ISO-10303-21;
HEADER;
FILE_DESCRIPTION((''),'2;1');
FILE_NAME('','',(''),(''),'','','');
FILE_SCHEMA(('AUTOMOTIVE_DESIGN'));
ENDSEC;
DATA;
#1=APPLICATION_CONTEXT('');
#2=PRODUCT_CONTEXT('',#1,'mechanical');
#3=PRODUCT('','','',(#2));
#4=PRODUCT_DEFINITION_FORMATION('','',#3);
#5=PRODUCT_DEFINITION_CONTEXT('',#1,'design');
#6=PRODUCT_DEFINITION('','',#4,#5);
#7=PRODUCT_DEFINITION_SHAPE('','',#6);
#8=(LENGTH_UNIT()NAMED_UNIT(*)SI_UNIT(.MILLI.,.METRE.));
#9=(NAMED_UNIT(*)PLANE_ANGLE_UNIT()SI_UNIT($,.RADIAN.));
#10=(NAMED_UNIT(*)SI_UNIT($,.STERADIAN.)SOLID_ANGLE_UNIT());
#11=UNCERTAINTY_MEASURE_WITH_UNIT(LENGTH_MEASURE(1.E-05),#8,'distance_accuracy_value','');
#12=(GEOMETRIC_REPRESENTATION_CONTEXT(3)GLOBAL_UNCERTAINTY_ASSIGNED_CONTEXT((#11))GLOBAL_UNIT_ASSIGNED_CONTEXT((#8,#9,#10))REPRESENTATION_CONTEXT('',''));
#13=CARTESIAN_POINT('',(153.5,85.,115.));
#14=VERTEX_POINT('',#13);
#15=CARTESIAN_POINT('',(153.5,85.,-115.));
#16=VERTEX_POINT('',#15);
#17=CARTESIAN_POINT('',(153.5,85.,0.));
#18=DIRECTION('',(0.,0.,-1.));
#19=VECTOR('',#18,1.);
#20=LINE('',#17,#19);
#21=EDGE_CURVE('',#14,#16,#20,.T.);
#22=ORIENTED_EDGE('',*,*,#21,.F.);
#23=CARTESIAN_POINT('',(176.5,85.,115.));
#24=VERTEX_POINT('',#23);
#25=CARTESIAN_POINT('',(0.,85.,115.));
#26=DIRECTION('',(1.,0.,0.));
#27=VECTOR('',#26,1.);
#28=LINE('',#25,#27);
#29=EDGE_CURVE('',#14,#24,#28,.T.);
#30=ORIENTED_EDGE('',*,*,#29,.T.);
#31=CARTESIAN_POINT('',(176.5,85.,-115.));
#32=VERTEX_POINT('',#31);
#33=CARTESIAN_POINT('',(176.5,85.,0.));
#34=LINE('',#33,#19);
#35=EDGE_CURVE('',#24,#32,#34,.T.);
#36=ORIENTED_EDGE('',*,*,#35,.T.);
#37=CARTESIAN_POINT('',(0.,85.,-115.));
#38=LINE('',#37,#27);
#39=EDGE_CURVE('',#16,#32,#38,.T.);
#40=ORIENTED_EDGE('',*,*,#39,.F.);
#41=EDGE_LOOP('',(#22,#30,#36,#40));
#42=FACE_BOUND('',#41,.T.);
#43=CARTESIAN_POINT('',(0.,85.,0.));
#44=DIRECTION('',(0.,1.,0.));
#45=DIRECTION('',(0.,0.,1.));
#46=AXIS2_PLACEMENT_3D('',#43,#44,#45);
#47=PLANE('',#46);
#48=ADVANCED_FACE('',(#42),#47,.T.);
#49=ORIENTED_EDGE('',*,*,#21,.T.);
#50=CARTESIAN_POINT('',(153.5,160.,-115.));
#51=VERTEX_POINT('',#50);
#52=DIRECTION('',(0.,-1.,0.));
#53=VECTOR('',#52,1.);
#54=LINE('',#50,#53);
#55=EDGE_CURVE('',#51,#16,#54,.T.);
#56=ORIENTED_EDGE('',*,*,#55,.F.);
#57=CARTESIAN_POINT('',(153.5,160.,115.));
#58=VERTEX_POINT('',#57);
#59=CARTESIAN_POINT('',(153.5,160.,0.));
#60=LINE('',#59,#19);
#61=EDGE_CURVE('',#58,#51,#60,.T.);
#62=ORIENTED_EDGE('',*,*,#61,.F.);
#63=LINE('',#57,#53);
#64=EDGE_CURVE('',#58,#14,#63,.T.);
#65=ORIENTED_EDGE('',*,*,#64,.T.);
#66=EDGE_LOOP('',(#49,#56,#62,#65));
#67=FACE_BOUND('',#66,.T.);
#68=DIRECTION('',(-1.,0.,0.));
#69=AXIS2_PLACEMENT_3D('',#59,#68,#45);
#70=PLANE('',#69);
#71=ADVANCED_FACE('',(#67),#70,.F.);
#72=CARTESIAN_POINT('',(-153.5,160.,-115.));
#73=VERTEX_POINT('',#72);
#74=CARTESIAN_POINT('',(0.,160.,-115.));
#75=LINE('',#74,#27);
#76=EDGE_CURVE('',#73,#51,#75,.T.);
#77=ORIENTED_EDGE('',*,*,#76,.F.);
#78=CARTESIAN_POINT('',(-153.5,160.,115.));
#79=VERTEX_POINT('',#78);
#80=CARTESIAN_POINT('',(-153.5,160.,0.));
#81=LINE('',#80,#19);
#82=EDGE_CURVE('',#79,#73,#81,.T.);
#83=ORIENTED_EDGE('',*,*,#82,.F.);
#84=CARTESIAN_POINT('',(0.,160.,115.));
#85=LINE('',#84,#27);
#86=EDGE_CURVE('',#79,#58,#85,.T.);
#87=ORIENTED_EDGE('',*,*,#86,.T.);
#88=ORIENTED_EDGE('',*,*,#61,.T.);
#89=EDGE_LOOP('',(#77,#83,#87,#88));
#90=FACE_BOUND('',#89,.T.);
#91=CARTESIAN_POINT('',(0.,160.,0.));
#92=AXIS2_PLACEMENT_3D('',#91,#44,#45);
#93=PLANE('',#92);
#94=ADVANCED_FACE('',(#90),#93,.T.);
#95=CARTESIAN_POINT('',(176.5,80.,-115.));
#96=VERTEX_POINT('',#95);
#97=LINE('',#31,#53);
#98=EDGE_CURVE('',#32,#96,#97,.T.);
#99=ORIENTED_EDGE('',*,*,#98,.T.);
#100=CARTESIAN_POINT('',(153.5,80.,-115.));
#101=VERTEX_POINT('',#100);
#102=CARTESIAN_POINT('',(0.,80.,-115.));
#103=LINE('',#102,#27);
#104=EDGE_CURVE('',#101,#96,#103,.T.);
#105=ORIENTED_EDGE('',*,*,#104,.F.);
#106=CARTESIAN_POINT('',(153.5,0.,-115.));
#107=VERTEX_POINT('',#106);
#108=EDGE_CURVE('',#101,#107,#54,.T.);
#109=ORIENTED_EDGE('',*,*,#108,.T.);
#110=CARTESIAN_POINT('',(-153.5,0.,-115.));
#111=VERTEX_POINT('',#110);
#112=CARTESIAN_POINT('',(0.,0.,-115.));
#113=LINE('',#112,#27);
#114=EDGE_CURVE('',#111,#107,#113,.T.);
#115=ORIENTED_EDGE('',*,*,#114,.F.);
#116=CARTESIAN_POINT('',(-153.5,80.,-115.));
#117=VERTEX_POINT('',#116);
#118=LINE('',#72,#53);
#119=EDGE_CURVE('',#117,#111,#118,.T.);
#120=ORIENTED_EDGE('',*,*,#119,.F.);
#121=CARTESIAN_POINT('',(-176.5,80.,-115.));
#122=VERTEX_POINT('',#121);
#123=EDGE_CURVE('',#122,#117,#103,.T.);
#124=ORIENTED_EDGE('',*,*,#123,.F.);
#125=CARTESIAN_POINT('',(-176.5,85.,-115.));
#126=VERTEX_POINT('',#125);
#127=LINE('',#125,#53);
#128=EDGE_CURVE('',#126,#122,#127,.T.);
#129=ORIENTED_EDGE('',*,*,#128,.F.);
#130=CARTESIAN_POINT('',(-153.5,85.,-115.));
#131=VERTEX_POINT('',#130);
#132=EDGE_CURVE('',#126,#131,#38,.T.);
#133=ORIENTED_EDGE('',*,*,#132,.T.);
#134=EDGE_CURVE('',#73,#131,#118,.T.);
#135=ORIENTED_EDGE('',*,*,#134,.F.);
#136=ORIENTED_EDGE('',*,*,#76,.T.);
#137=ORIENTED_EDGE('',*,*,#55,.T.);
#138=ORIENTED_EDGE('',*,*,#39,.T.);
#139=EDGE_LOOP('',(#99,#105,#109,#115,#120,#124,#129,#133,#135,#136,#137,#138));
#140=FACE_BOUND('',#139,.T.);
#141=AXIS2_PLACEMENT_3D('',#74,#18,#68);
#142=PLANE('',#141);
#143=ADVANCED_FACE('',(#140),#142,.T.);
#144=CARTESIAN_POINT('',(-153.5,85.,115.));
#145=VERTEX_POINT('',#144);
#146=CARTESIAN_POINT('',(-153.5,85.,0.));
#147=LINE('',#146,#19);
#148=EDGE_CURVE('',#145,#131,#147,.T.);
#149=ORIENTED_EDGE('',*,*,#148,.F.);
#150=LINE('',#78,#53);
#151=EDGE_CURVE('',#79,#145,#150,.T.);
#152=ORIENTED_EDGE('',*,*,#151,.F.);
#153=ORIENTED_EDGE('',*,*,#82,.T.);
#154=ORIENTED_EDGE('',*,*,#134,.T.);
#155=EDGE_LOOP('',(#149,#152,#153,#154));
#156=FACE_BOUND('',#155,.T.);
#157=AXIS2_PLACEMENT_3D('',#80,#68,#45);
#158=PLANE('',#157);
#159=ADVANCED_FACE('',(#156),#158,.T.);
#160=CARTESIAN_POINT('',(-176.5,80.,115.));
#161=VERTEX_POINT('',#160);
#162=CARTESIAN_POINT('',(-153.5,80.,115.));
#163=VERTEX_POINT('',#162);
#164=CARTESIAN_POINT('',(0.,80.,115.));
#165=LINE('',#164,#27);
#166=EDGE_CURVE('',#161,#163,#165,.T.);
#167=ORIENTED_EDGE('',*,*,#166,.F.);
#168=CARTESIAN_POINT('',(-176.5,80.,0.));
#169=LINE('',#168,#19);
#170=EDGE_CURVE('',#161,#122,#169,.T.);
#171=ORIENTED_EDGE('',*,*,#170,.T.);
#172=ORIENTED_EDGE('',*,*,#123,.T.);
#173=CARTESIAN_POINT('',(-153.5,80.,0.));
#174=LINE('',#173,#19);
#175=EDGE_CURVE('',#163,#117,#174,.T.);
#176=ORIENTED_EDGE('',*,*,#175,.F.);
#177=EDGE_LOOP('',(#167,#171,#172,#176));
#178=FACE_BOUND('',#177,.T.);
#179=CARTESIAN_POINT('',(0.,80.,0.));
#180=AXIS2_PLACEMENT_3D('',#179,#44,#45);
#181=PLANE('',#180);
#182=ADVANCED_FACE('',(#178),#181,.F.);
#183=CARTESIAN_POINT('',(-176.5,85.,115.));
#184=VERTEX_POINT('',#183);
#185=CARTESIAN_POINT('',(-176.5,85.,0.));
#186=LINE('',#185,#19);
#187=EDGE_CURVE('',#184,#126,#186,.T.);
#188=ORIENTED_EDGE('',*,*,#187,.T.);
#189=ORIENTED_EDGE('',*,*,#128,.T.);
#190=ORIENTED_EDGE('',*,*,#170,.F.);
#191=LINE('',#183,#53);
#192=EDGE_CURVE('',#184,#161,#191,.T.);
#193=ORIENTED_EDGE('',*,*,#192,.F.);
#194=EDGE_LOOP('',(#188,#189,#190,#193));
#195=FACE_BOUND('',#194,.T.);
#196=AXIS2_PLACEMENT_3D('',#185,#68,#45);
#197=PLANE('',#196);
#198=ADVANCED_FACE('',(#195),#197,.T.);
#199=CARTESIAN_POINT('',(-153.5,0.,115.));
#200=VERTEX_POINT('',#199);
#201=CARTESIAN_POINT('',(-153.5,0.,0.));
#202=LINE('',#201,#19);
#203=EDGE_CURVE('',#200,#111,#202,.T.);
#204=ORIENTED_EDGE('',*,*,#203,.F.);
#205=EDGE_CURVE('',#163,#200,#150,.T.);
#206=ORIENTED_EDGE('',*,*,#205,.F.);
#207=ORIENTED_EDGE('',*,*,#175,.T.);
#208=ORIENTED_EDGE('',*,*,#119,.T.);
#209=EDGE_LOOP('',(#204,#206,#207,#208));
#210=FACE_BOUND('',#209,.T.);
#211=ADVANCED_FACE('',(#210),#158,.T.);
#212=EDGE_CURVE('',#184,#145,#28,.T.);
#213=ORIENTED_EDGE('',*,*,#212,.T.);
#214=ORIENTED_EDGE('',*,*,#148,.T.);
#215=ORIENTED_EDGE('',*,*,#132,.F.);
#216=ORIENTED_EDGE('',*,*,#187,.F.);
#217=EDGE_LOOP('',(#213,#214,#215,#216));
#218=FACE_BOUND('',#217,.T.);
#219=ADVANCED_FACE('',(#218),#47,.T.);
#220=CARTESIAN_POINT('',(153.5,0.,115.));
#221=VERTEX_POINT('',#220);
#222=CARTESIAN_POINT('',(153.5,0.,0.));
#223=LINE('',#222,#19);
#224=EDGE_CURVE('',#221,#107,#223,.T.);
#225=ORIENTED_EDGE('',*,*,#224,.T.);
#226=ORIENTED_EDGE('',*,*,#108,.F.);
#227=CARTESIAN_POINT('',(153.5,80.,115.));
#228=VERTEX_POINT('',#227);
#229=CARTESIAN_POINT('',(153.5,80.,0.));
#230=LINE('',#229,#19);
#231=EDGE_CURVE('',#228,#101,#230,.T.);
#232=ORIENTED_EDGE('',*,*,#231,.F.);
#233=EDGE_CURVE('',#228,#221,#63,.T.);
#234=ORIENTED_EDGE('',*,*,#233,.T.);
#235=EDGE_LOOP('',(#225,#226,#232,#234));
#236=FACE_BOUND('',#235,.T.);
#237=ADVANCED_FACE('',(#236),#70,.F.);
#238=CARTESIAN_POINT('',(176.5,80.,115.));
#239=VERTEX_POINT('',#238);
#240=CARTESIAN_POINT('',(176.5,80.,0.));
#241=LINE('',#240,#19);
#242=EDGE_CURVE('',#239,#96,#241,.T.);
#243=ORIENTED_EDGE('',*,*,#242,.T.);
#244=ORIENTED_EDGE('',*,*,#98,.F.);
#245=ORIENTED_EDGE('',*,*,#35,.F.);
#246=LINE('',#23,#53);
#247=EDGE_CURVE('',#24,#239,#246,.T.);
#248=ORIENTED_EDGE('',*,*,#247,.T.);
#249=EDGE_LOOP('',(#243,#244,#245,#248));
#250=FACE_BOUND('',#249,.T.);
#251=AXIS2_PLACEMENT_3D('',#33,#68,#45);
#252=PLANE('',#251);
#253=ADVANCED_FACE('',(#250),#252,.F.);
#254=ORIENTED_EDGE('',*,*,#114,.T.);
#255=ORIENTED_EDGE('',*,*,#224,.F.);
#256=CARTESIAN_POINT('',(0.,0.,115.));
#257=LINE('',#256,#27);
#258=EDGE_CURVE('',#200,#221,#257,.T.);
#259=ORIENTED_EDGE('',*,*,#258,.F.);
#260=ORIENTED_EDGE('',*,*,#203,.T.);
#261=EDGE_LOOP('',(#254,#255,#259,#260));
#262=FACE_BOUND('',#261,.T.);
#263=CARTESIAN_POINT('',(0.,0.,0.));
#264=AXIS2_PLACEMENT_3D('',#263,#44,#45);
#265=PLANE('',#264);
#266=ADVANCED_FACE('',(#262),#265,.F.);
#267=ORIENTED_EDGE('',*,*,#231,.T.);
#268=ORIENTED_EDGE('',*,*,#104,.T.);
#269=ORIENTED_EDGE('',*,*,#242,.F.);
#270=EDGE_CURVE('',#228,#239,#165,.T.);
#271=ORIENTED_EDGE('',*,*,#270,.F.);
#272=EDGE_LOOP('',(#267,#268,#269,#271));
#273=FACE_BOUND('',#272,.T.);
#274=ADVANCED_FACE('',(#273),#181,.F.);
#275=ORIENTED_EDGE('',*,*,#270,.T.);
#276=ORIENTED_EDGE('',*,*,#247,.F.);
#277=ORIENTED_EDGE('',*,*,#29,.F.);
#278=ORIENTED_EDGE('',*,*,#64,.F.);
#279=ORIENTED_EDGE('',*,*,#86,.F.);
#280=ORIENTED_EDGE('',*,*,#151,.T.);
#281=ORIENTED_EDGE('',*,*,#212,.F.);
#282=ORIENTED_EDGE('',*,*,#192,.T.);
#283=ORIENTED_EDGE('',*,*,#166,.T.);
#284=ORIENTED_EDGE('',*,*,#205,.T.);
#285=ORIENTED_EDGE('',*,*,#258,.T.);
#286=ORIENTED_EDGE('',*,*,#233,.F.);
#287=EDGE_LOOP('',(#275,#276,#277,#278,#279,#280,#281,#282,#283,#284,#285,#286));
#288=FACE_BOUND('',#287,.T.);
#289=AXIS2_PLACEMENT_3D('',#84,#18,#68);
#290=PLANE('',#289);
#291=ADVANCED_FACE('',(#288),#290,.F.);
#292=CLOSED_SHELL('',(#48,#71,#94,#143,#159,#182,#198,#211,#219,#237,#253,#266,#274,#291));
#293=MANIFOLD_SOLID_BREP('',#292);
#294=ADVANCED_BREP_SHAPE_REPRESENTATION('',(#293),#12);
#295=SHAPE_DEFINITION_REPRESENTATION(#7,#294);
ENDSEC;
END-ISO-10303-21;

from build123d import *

# Parameters (mm, degrees)
SKETCH1_W           = 307
SKETCH1_H           = 230
BOSS_EXTRUDE1_DEPTH = 160
BOSS_EXTRUDE2_START = 80
SKETCH1_3_W         = 23
SKETCH1_3_H         = 230
BOSS_EXTRUDE2_DEPTH = 5


with BuildPart() as part:
    # Sketch1 → Boss-Extrude1 (new body)
    with BuildSketch(Plane(origin=(0, 0, 0), x_dir=(1, 0, 0), z_dir=(0, 1, 0))):
        Rectangle(SKETCH1_W, SKETCH1_H)
    extrude(amount=BOSS_EXTRUDE1_DEPTH)

    # Sketch1<3> → Boss-Extrude2 (add)
    with BuildSketch(Plane(origin=(0, 0, 0), x_dir=(1, 0, 0), z_dir=(0, 1, 0)).offset(BOSS_EXTRUDE2_START)):
        with Locations((-165, 0)):
            Rectangle(SKETCH1_3_W, SKETCH1_3_H)
        with Locations((165, 0)):
            Rectangle(SKETCH1_3_W, SKETCH1_3_H)
    extrude(amount=BOSS_EXTRUDE2_DEPTH)


solid = part.part
